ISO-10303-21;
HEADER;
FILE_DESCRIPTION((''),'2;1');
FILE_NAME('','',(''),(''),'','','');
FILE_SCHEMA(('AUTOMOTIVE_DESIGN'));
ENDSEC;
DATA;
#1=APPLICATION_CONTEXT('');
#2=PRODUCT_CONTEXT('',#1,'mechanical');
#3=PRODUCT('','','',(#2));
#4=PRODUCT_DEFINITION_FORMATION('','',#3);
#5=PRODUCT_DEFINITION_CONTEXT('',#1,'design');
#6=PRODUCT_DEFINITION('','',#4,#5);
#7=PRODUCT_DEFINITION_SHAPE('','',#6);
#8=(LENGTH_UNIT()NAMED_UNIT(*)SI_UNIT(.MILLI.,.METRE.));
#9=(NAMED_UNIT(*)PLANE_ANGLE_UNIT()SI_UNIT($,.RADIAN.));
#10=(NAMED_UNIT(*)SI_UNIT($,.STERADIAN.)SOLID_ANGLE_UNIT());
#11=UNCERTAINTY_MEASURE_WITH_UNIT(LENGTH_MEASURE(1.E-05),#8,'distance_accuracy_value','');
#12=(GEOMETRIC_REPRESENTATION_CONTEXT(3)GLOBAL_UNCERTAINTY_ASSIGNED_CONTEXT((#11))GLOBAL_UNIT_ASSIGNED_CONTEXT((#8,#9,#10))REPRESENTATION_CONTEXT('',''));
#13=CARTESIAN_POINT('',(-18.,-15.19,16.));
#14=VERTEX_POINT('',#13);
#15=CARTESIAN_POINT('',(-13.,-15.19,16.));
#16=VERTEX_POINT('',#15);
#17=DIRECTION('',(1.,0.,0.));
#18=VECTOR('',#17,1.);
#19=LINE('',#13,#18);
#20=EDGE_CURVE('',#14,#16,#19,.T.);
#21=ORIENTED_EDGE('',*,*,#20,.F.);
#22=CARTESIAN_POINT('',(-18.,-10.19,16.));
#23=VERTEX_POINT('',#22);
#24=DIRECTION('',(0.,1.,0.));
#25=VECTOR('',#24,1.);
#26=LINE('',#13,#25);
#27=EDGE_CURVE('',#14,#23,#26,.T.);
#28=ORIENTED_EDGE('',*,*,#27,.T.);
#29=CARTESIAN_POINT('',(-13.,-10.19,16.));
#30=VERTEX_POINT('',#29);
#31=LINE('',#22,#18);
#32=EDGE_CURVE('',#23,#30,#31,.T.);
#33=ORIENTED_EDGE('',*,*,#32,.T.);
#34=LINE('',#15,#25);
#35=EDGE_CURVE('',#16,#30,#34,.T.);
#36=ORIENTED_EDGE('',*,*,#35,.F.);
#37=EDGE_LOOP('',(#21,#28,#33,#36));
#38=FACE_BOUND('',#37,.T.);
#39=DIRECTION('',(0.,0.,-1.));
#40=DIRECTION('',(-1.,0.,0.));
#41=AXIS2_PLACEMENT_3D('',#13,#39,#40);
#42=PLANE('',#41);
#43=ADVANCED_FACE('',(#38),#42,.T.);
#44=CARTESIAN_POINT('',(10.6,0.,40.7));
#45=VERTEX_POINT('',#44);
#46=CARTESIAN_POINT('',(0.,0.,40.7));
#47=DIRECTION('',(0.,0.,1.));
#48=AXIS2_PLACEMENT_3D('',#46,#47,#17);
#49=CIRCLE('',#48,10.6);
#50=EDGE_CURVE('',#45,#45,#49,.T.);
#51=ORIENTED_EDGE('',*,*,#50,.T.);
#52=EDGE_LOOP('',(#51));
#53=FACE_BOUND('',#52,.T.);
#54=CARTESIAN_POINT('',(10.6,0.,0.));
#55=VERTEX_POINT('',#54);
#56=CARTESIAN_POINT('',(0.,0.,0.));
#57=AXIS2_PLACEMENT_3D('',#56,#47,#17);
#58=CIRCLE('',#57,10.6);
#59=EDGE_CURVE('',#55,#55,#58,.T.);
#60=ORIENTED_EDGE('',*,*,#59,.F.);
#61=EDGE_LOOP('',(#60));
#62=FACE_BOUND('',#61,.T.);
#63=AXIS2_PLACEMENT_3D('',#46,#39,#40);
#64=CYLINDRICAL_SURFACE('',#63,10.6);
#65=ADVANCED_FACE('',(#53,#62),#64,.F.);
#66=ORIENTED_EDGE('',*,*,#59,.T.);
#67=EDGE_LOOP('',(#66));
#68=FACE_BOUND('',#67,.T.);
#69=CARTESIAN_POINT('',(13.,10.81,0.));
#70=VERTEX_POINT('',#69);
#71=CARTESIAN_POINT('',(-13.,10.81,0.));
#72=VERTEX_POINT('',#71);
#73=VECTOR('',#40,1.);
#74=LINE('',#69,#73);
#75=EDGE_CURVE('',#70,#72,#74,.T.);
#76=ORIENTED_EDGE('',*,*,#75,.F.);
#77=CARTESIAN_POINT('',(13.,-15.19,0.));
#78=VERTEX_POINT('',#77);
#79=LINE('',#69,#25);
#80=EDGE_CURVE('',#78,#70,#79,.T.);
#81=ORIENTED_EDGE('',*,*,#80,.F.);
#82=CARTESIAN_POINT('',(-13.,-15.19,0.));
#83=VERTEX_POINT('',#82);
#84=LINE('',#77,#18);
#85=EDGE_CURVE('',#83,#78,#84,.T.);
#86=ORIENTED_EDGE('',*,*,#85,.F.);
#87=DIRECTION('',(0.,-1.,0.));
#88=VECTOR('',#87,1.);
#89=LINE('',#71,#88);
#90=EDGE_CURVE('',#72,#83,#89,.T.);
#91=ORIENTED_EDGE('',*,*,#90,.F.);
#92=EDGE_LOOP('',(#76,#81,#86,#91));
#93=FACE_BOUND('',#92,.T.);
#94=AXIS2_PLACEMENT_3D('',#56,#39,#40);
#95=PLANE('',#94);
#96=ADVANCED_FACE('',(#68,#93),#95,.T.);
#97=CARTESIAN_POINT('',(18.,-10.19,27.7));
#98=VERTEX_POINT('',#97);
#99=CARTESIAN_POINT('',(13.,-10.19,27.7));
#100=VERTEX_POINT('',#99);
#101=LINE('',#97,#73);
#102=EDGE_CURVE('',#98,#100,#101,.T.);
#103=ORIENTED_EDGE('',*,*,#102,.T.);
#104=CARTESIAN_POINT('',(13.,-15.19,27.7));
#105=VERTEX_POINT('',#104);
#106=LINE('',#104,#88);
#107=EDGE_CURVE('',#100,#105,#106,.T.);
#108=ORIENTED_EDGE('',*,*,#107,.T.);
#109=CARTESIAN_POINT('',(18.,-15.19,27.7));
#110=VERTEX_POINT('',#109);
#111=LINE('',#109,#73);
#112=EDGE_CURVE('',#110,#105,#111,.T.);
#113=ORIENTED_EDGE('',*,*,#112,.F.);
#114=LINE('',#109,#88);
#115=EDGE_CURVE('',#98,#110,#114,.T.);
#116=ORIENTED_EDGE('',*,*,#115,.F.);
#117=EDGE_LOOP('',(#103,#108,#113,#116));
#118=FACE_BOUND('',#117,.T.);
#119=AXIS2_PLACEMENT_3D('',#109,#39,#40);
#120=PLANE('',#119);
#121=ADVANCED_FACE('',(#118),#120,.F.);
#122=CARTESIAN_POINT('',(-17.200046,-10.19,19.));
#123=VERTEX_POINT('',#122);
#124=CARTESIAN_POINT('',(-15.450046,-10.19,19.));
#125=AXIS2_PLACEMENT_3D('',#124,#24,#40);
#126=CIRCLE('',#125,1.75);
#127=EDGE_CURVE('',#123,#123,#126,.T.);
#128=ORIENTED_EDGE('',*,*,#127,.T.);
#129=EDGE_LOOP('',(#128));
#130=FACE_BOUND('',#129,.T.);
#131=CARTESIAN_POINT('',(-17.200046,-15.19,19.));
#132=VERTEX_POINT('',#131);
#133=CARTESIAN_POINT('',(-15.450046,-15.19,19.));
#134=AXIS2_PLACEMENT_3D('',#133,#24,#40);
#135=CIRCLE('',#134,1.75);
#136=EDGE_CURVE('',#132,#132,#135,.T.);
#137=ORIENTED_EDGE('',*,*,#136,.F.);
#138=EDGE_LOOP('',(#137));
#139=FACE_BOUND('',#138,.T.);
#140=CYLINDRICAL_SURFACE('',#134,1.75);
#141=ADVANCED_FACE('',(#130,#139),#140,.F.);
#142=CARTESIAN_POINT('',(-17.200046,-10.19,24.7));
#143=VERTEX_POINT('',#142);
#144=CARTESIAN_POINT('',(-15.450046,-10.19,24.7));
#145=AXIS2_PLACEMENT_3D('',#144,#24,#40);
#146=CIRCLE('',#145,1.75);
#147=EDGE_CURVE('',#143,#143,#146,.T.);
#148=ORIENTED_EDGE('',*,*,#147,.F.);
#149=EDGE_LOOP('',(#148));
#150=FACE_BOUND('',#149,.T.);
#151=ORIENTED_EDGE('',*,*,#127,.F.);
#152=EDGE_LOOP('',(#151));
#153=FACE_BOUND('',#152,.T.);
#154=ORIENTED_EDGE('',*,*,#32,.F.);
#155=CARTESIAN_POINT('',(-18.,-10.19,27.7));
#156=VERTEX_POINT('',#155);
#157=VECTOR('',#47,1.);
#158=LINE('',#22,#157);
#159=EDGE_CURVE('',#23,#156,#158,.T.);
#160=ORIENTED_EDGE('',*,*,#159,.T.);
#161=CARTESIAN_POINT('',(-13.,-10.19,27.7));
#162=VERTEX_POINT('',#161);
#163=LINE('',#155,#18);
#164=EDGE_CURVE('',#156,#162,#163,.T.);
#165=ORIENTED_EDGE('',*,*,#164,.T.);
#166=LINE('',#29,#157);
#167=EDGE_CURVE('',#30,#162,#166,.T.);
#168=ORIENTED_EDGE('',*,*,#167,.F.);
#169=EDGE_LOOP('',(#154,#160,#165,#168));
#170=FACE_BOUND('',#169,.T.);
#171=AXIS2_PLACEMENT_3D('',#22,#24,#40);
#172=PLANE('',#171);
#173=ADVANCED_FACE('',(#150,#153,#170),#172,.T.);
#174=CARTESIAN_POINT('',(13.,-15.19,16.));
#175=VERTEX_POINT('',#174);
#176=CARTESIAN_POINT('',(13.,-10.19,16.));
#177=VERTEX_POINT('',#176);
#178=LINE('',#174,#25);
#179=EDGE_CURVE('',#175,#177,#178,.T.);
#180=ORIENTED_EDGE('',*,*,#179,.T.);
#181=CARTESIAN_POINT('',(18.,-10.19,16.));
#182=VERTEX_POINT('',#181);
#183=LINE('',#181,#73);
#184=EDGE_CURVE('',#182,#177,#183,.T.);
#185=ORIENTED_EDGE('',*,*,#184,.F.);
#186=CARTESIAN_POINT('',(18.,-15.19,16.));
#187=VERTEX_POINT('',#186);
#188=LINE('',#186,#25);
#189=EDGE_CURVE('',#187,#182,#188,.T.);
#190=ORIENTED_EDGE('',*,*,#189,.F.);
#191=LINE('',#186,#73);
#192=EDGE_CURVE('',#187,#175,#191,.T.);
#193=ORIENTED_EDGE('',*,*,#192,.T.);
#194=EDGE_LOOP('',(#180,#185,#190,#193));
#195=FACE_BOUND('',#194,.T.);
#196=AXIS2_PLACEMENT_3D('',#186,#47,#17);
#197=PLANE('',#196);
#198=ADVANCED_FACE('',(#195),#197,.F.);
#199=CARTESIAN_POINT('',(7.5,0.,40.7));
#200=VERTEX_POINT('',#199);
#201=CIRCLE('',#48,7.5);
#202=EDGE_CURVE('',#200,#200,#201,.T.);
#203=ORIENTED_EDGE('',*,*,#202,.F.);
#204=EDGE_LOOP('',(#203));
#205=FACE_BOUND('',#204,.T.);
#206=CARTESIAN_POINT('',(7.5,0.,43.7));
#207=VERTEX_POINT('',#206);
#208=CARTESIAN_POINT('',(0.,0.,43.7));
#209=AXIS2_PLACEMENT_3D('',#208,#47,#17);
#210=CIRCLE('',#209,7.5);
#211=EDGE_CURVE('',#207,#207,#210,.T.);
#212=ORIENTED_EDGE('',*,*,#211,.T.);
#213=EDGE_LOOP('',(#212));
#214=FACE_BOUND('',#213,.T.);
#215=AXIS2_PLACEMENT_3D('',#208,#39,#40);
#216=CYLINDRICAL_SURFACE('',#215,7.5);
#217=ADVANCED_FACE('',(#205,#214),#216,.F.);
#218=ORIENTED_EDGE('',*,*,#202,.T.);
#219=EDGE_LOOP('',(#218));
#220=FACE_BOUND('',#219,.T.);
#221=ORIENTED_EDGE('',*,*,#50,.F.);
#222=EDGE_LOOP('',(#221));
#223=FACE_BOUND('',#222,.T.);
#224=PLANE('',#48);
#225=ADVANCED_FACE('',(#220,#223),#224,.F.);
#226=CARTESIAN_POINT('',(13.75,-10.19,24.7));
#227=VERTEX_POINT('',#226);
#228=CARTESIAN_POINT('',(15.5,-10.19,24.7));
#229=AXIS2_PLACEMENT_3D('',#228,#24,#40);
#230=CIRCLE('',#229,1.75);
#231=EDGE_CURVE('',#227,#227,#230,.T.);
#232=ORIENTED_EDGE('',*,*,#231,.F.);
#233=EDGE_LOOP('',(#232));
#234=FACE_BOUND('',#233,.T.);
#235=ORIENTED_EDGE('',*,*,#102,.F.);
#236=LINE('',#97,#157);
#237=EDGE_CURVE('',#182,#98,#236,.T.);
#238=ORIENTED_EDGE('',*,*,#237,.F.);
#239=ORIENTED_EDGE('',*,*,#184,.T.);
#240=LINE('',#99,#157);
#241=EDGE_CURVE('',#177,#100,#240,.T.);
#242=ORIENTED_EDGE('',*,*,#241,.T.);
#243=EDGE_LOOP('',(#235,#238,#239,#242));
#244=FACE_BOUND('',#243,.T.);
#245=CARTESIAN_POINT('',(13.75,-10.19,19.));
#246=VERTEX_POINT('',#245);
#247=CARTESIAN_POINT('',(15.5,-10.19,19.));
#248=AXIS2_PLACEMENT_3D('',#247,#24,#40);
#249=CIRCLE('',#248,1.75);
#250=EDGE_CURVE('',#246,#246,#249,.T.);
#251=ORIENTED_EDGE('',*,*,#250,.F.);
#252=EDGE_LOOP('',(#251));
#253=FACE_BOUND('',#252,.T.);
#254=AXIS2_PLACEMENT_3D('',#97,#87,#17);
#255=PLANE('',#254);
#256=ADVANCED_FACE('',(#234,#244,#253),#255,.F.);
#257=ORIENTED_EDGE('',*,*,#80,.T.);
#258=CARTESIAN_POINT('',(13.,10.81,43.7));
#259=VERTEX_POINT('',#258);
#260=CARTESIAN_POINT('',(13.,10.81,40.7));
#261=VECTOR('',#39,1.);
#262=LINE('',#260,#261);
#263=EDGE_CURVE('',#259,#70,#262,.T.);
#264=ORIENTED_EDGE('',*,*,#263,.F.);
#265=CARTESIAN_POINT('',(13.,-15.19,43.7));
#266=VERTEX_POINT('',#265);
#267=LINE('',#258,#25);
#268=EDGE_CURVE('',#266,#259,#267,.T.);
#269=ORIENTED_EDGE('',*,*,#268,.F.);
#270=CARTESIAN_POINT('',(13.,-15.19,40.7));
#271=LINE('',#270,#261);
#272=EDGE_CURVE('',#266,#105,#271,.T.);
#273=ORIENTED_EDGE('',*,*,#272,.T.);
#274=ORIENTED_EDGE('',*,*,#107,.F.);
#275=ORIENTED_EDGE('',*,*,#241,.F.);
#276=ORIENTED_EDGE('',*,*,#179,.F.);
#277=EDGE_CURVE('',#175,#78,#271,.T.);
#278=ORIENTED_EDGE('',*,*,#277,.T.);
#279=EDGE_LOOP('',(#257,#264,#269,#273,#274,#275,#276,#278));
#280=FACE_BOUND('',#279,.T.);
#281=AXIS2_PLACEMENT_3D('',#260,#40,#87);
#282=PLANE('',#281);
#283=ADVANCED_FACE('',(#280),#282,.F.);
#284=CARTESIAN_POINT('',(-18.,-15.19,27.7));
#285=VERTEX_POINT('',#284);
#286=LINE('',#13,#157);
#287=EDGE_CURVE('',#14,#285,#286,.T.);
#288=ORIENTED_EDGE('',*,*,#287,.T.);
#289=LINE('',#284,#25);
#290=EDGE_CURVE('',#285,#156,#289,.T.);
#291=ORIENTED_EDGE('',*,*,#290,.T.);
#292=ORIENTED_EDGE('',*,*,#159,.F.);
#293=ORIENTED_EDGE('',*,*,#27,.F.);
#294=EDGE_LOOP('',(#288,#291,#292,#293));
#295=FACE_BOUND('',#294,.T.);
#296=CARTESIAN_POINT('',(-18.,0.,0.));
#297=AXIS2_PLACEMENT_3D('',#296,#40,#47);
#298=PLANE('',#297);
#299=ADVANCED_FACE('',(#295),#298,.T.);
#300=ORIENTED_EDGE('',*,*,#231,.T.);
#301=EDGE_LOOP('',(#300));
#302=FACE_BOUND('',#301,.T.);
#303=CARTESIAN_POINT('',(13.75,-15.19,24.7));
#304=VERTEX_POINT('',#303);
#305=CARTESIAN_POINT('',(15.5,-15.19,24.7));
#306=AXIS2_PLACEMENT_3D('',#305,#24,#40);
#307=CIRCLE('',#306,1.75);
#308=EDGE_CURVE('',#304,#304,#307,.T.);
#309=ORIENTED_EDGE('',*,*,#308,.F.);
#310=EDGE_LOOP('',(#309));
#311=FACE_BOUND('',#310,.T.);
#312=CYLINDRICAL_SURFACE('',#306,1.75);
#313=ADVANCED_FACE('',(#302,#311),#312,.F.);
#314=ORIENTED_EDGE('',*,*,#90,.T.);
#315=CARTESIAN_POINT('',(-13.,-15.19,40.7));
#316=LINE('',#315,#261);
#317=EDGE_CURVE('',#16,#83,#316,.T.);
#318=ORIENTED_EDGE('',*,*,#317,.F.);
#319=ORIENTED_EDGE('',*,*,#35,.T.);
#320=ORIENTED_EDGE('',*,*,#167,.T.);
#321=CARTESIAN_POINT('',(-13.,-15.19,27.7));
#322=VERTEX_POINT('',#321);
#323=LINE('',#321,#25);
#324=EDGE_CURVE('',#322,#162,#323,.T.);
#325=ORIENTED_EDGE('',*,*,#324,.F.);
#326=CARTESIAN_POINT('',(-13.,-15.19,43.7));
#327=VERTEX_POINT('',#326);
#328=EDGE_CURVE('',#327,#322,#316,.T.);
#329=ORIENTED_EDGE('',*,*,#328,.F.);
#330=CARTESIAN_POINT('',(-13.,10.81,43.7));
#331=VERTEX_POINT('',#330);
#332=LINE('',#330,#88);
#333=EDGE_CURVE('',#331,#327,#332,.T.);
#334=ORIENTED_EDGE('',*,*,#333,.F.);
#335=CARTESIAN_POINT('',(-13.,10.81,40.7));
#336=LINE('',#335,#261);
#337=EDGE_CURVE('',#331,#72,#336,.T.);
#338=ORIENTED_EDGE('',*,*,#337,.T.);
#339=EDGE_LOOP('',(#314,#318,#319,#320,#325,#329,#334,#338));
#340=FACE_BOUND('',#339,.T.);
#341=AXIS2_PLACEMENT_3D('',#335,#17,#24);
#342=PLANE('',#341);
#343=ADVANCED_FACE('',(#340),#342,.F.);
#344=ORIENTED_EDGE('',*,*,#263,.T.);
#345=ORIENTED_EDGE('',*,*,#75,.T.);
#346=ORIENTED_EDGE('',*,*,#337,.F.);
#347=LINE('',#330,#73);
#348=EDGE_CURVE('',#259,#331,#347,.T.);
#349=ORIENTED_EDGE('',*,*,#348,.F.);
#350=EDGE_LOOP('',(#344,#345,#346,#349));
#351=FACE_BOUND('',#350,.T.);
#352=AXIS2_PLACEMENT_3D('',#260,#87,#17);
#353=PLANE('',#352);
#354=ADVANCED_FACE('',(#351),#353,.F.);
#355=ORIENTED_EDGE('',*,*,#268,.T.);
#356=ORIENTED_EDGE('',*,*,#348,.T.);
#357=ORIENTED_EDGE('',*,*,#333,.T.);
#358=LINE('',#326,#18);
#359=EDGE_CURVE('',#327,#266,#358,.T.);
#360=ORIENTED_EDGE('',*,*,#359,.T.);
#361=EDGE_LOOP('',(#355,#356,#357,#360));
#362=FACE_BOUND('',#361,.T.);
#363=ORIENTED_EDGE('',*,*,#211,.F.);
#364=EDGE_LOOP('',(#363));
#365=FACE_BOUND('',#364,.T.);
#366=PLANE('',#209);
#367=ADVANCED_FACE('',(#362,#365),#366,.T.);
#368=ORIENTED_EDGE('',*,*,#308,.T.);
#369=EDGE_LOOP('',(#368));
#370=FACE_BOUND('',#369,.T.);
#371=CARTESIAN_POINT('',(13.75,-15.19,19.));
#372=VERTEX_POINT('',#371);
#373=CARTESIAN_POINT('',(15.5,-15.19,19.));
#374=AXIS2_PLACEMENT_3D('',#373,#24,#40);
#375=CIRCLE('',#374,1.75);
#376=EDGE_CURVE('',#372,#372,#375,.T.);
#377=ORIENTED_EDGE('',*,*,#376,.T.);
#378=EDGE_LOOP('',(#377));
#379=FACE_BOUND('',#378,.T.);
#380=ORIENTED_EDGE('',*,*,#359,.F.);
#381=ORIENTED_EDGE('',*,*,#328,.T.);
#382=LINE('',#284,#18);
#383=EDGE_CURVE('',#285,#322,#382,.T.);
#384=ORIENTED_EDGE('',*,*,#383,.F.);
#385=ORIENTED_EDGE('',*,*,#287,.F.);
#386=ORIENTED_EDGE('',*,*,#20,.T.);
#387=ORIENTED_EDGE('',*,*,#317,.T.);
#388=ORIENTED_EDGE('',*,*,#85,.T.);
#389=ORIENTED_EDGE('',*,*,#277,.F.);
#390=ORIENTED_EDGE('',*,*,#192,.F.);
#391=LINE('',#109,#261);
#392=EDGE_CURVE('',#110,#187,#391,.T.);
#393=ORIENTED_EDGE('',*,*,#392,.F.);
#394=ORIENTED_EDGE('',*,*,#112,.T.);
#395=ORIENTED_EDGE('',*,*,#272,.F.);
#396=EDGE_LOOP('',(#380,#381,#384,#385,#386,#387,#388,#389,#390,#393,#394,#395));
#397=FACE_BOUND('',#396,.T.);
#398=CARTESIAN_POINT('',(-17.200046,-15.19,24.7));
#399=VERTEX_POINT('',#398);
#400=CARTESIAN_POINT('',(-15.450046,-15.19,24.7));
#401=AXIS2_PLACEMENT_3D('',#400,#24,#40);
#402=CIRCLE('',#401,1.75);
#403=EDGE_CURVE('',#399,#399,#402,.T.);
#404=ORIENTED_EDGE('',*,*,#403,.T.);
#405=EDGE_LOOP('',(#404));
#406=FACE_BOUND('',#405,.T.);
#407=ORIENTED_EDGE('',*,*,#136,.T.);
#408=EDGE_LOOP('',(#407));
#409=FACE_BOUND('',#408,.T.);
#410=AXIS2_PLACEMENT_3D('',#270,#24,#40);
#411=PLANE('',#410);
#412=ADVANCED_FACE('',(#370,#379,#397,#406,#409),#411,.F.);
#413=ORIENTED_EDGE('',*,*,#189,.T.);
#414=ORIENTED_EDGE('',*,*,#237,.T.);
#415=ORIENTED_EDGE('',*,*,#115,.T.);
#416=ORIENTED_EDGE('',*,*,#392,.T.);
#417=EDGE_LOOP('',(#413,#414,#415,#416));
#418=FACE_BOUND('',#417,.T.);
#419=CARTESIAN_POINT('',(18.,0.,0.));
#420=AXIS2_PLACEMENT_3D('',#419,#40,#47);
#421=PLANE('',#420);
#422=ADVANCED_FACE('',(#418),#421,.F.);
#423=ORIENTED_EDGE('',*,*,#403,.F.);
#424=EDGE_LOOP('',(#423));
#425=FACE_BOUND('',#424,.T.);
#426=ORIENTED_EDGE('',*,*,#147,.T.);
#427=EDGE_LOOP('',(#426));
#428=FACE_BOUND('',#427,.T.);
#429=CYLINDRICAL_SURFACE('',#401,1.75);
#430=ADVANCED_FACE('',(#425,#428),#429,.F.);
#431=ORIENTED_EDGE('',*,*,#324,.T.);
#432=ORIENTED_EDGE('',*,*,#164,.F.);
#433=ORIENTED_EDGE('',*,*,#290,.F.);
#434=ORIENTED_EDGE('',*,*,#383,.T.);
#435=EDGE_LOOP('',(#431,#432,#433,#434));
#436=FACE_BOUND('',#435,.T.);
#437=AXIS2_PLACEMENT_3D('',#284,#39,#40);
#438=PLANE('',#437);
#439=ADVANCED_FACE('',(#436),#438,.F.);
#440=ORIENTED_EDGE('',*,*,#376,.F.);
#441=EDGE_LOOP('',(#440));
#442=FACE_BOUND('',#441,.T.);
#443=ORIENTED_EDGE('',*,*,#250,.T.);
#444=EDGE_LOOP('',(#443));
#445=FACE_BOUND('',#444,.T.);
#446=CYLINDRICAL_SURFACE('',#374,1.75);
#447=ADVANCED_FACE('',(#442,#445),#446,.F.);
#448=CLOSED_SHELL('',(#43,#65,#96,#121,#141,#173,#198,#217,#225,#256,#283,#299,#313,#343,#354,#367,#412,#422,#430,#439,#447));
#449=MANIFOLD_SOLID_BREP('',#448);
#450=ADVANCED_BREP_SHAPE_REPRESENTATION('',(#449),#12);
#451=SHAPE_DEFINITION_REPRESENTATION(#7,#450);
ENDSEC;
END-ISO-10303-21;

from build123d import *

# Parameters (mm, degrees)
ESQUISSE1_W             = 26
ESQUISSE1_H             = 26
ESQUISSE1_R             = 10.6
BOSS_EXTRU_1_DEPTH      = 40.7
ESQUISSE7_W             = 26
ESQUISSE7_H             = 26
ESQUISSE7_R             = 7.5
BOSS_EXTRU_5_DEPTH      = 3
ESQUISSE9_W             = 11.7
ESQUISSE9_H             = 5
BOSS_EXTRU_6_DEPTH      = 5
ESQUISSE11_R            = 1.75
ENL_V_MAT_EXTRU_1_DEPTH = 52.717405194
ESQUISSE17_W            = 11.7
ESQUISSE17_H            = 5
BOSS_EXTRU_7_DEPTH      = 5
ESQUISSE18_R            = 1.75
ENL_V_MAT_EXTRU_2_DEPTH = 52.717405194


with BuildPart() as part:
    # Esquisse1 → Boss.-Extru.1 (new body)
    with BuildSketch(Plane.XY):
        with Locations((0, -2.19)):
            Rectangle(ESQUISSE1_W, ESQUISSE1_H)
        Circle(ESQUISSE1_R, mode=Mode.SUBTRACT)
    extrude(amount=BOSS_EXTRU_1_DEPTH)

    # Esquisse7 → Boss.-Extru.5 (add)
    with BuildSketch(Plane.XY.offset(40.7)):
        with Locations((0, -2.19)):
            Rectangle(ESQUISSE7_W, ESQUISSE7_H)
        Circle(ESQUISSE7_R, mode=Mode.SUBTRACT)
    extrude(amount=BOSS_EXTRU_5_DEPTH)

    # Esquisse9 → Boss.-Extru.6 (add)
    with BuildSketch(Plane.ZY.offset(13)):
        with Locations((21.85, -12.69)):
            Rectangle(ESQUISSE9_W, ESQUISSE9_H)
    extrude(amount=BOSS_EXTRU_6_DEPTH)

    # Esquisse11 → Enlèv. mat.-Extru.1 (cut, through all)
    with BuildSketch(Plane(origin=(0, -10.19, 0), x_dir=(1, 0, 0), z_dir=(0, 1, 0))):
        with Locations((-15.450046311, -19)):
            Circle(ESQUISSE11_R)
        with Locations((-15.450046311, -24.7)):
            Circle(ESQUISSE11_R)
    extrude(amount=-ENL_V_MAT_EXTRU_1_DEPTH, mode=Mode.SUBTRACT)

    # Esquisse17 → Boss.-Extru.7 (add)
    with BuildSketch(Plane(origin=(13, 0, 0), x_dir=(0, 0, -1), z_dir=(1, 0, 0))):
        with Locations((-21.85, -12.69)):
            Rectangle(ESQUISSE17_W, ESQUISSE17_H)
    extrude(amount=BOSS_EXTRU_7_DEPTH)

    # Esquisse18 → Enlèv. mat.-Extru.2 (cut, through all)
    with BuildSketch(Plane(origin=(0, -10.19, 0), x_dir=(1, 0, 0), z_dir=(0, 1, 0))):
        with Locations((15.5, -24.7)):
            Circle(ESQUISSE18_R)
        with Locations((15.5, -19)):
            Circle(ESQUISSE18_R)
    extrude(amount=-ENL_V_MAT_EXTRU_2_DEPTH, mode=Mode.SUBTRACT)


solid = part.part
